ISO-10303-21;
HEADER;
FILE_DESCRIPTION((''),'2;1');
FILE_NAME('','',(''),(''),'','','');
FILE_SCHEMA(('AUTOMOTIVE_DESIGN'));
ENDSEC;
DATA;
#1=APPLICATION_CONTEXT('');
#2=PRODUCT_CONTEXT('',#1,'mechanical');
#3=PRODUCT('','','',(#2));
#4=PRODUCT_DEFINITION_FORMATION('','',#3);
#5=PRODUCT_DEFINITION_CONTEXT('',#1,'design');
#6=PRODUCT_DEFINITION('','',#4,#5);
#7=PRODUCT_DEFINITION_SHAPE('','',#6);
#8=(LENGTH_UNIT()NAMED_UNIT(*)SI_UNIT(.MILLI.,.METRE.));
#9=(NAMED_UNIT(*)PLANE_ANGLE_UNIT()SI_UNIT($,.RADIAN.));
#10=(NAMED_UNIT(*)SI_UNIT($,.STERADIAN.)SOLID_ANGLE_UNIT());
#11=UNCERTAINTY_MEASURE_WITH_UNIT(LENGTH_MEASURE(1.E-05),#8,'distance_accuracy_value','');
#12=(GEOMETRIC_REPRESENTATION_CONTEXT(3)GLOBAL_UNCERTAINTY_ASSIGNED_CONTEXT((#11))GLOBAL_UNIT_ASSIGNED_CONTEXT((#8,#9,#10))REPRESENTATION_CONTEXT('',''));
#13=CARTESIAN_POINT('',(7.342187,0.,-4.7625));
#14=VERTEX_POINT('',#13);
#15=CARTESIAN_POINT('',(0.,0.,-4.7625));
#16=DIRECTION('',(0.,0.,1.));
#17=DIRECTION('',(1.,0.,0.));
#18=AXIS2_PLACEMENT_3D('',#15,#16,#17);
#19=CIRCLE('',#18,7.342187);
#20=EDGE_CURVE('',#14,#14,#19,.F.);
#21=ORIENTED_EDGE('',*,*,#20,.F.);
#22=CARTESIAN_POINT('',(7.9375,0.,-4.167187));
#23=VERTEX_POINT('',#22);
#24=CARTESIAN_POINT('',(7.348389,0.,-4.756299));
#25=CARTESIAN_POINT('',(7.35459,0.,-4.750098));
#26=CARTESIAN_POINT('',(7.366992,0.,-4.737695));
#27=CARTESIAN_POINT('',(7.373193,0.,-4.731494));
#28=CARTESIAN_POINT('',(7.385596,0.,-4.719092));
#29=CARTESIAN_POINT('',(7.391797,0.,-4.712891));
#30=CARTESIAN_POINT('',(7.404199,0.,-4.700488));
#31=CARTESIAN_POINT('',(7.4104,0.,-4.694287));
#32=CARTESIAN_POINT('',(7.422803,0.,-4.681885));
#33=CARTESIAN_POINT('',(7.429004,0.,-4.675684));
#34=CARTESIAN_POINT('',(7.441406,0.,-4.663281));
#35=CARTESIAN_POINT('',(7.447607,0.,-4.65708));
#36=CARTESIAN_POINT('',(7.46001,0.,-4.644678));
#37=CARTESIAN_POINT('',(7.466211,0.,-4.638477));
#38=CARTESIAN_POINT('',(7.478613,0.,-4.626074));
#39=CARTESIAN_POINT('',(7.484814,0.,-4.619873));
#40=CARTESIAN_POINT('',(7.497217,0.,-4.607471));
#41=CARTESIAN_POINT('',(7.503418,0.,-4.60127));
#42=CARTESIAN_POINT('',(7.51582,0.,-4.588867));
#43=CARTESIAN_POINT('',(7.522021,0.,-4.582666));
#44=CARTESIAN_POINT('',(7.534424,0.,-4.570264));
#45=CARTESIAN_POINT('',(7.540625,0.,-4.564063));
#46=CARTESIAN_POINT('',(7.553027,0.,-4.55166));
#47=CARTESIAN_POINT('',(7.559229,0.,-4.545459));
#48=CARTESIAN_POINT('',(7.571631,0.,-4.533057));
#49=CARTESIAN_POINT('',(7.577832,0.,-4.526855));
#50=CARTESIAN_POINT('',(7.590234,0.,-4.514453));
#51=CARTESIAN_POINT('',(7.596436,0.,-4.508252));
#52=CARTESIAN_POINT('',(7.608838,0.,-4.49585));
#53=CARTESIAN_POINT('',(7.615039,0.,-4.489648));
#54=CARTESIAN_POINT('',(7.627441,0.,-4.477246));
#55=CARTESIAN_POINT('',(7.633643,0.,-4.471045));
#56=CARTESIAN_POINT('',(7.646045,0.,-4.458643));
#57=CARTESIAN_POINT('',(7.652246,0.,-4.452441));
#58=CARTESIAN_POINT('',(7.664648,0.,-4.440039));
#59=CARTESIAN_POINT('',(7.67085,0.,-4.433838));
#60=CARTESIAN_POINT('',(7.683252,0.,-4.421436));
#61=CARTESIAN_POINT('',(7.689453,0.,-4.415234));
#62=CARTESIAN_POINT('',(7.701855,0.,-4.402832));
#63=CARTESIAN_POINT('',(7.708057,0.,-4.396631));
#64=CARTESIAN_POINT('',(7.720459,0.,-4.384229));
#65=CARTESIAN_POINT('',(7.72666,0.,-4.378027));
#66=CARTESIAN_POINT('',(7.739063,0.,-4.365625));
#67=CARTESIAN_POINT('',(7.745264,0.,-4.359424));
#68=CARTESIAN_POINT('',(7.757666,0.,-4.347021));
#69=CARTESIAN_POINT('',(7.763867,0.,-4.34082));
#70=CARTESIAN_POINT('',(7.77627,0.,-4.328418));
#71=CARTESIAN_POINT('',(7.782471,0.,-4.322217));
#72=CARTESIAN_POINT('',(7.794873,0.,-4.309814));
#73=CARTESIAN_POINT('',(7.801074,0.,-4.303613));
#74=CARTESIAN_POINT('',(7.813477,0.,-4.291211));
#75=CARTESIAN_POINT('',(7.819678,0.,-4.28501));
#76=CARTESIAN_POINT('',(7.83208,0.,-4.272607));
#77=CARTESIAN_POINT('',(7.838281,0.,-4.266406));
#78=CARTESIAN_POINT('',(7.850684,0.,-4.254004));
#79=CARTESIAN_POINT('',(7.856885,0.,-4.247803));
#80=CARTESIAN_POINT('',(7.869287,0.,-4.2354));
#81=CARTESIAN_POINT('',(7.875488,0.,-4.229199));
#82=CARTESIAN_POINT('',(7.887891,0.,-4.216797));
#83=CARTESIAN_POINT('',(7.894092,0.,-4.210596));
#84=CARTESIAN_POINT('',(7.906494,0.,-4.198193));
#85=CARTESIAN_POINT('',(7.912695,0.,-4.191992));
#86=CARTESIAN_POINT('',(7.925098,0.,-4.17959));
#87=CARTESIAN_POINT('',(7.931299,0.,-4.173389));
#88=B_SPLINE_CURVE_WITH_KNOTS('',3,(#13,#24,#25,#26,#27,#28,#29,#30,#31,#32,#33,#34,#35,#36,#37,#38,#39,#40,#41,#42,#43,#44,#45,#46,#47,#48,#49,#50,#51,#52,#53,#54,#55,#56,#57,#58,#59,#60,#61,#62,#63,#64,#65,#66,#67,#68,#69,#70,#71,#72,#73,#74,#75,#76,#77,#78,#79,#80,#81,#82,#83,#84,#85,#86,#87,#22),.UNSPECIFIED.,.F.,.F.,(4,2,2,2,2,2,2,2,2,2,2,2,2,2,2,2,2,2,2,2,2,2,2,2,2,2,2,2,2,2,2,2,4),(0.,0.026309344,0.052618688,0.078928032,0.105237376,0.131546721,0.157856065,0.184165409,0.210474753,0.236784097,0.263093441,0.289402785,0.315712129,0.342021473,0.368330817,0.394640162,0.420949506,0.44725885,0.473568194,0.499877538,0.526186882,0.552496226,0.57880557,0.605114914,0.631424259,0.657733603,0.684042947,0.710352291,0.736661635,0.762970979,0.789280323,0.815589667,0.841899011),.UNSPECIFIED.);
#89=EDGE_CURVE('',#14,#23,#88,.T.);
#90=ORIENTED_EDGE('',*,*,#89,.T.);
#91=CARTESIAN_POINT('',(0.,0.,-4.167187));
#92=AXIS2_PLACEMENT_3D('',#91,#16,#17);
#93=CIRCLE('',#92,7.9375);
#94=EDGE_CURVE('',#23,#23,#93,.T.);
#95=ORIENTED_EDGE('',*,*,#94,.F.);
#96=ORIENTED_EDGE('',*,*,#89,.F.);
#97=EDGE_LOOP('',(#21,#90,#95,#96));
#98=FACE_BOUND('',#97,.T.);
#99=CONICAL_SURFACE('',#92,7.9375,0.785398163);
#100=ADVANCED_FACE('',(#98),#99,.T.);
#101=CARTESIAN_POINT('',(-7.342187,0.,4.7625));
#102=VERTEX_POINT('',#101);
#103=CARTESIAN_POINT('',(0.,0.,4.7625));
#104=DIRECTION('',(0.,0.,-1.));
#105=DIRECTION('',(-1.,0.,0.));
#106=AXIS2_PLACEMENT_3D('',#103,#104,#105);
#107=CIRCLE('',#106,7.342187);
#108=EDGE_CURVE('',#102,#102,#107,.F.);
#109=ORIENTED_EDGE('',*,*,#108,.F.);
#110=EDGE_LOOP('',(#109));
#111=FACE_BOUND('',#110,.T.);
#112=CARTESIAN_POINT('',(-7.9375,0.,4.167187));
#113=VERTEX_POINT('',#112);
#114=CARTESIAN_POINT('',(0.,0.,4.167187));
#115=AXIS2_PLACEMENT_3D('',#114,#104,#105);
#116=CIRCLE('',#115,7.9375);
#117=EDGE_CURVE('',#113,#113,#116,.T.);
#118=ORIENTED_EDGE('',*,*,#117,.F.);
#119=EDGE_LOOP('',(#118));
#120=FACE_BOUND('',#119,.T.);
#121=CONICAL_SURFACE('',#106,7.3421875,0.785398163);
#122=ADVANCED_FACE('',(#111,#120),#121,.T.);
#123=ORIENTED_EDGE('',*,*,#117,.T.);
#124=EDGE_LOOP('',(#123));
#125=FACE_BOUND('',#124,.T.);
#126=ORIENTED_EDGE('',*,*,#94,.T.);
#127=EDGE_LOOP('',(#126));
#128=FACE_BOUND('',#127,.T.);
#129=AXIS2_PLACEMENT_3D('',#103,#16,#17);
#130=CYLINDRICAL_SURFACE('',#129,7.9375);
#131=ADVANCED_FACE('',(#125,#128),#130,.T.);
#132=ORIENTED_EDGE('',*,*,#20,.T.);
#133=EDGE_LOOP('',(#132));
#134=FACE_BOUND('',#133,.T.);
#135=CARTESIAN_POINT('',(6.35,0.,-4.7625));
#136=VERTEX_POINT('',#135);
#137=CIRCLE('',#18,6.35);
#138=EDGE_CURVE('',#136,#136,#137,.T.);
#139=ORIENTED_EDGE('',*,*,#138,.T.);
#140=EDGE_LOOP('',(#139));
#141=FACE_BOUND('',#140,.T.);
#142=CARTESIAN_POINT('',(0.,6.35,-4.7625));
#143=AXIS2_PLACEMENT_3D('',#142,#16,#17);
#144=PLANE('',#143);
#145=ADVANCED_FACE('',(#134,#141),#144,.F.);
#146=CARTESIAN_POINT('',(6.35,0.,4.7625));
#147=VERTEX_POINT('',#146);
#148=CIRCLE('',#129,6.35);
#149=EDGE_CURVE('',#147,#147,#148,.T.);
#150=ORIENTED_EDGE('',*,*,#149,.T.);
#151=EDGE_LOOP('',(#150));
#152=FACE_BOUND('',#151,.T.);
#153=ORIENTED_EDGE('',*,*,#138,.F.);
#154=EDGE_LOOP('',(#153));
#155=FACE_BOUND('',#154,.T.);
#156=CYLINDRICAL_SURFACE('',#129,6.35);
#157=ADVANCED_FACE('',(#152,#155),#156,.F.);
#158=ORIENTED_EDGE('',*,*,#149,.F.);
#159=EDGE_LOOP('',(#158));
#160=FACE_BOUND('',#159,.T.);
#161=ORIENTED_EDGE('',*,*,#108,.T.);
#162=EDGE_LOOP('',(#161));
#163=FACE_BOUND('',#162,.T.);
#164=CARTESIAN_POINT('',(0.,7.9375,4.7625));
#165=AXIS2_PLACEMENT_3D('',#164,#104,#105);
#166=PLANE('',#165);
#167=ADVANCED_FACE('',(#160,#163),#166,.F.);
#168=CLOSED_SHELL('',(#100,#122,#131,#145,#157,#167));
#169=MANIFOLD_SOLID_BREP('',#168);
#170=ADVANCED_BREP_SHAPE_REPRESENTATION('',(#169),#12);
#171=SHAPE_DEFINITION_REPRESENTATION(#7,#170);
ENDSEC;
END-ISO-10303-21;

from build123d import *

# Parameters (mm, degrees)
SKETCH3_W     = 9.525
SKETCH3_H     = 1.5875
CHAMFER1_SIZE = 0.5953125


with BuildPart() as part:
    # Sketch3 → Revolve1 (revolve)
    with BuildSketch(Plane(origin=(0, 0, 0), x_dir=(0, 0, -1), z_dir=(1, 0, 0)), mode=Mode.PRIVATE) as revolve1_sk:
        with Locations((0, 7.14375)):
            Rectangle(SKETCH3_W, SKETCH3_H)
    revolve(revolve1_sk.sketch.rotate(Axis((0, 0, 4.7625), (0, 0, -1)), 90), axis=Axis((0, 0, 4.7625), (0, 0, -1)))

    # Chamfer1
    chamfer1_edges = [part.edges().sort_by_distance(p)[0] for p in [
        (-7.9375, 0, 4.7625),
        (-7.9375, 0, -4.7625),
    ]]
    chamfer(chamfer1_edges, length=CHAMFER1_SIZE)


solid = part.part
